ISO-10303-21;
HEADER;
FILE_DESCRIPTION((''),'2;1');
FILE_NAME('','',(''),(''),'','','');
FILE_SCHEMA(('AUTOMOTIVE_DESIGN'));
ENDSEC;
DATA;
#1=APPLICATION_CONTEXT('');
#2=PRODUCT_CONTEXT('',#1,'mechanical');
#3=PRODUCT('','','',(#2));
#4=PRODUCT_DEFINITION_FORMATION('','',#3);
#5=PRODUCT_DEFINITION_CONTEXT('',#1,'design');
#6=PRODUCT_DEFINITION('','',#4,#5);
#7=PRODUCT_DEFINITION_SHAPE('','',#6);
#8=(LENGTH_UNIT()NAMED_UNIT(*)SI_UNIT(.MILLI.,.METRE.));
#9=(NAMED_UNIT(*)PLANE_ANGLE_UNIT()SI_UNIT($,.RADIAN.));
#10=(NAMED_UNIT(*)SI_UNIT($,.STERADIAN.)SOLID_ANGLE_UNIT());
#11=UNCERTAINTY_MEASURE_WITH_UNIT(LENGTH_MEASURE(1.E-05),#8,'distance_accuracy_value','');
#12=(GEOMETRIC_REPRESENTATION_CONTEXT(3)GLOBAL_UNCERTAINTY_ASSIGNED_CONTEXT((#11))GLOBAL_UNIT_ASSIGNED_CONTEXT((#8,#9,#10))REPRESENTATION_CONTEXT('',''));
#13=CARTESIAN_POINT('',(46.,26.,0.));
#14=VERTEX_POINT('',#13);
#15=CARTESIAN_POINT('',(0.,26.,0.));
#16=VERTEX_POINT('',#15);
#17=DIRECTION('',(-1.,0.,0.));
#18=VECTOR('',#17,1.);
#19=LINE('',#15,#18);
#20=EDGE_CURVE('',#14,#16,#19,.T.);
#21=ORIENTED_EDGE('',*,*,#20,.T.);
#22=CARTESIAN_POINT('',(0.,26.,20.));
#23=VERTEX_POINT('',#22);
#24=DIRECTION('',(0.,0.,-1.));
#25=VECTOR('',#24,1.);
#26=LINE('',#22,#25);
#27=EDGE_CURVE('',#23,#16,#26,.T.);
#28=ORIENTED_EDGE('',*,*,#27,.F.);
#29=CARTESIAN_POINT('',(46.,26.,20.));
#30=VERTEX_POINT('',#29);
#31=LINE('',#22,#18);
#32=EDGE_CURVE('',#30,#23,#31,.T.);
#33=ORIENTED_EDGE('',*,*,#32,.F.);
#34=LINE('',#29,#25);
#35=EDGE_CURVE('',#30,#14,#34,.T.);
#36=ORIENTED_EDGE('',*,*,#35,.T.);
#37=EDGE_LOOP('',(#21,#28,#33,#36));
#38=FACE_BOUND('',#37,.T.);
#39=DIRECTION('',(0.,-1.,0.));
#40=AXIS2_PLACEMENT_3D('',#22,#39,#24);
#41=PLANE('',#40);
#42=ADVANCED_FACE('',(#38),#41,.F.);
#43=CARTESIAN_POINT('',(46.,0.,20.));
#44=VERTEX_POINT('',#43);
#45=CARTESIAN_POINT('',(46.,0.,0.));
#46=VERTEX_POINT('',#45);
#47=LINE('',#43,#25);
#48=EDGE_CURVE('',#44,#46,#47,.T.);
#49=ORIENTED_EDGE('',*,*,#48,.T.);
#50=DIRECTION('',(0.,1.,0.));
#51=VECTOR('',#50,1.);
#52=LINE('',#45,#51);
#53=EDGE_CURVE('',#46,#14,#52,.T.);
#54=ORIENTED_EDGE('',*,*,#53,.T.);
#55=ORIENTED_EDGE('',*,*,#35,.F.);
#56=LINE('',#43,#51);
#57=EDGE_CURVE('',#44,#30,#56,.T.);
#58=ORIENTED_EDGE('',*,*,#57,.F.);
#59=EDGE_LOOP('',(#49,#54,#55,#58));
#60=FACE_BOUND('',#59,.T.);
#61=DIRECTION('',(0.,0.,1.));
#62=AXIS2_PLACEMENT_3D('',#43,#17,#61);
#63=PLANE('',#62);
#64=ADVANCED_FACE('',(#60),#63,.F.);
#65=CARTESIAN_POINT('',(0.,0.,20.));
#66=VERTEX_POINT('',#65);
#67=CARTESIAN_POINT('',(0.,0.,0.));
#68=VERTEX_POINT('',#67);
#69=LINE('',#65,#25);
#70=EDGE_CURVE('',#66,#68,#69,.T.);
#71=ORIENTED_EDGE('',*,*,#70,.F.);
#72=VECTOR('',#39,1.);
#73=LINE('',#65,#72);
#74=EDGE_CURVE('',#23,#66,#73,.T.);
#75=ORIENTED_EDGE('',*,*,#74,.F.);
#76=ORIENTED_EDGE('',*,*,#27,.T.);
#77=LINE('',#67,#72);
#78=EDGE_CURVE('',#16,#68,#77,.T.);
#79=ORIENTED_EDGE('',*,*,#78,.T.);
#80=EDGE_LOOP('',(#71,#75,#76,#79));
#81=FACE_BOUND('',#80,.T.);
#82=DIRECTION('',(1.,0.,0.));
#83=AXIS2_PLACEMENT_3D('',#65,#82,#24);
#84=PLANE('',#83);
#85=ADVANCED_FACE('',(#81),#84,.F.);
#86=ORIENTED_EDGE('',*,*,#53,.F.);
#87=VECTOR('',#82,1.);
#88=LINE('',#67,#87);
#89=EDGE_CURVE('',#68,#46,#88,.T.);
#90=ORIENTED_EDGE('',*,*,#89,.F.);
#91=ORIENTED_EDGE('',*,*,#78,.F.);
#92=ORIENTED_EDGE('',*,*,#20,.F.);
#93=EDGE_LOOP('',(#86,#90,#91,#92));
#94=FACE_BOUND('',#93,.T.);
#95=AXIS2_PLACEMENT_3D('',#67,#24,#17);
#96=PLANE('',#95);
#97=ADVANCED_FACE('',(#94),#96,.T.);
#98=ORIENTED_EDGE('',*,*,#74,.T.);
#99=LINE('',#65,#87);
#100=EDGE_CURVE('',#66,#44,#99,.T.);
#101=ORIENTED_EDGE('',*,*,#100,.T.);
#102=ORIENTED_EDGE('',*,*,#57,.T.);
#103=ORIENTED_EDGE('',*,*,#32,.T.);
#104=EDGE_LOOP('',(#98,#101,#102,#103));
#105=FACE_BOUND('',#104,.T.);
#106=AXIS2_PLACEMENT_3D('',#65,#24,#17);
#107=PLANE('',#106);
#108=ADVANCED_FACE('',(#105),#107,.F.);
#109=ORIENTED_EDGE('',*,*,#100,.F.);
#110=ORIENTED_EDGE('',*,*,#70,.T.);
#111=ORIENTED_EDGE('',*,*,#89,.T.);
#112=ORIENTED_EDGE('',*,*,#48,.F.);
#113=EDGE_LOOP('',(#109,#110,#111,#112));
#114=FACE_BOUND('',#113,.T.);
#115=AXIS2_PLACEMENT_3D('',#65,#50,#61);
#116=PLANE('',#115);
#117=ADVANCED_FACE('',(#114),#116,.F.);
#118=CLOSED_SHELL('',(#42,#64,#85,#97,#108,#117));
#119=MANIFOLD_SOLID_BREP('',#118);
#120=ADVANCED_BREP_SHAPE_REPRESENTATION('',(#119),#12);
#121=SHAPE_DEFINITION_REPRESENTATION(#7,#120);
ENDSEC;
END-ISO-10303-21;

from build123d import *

# Parameters (mm, degrees)
SKETCH_1_W      = 46
SKETCH_1_H      = 26
EXTRUDE_1_DEPTH = 20


with BuildPart() as part:
    # 草图1 → 凸台-拉伸1 (new body)
    with BuildSketch(Plane.XY):
        with Locations((23, 13)):
            Rectangle(SKETCH_1_W, SKETCH_1_H)
    extrude(amount=EXTRUDE_1_DEPTH)


solid = part.part
